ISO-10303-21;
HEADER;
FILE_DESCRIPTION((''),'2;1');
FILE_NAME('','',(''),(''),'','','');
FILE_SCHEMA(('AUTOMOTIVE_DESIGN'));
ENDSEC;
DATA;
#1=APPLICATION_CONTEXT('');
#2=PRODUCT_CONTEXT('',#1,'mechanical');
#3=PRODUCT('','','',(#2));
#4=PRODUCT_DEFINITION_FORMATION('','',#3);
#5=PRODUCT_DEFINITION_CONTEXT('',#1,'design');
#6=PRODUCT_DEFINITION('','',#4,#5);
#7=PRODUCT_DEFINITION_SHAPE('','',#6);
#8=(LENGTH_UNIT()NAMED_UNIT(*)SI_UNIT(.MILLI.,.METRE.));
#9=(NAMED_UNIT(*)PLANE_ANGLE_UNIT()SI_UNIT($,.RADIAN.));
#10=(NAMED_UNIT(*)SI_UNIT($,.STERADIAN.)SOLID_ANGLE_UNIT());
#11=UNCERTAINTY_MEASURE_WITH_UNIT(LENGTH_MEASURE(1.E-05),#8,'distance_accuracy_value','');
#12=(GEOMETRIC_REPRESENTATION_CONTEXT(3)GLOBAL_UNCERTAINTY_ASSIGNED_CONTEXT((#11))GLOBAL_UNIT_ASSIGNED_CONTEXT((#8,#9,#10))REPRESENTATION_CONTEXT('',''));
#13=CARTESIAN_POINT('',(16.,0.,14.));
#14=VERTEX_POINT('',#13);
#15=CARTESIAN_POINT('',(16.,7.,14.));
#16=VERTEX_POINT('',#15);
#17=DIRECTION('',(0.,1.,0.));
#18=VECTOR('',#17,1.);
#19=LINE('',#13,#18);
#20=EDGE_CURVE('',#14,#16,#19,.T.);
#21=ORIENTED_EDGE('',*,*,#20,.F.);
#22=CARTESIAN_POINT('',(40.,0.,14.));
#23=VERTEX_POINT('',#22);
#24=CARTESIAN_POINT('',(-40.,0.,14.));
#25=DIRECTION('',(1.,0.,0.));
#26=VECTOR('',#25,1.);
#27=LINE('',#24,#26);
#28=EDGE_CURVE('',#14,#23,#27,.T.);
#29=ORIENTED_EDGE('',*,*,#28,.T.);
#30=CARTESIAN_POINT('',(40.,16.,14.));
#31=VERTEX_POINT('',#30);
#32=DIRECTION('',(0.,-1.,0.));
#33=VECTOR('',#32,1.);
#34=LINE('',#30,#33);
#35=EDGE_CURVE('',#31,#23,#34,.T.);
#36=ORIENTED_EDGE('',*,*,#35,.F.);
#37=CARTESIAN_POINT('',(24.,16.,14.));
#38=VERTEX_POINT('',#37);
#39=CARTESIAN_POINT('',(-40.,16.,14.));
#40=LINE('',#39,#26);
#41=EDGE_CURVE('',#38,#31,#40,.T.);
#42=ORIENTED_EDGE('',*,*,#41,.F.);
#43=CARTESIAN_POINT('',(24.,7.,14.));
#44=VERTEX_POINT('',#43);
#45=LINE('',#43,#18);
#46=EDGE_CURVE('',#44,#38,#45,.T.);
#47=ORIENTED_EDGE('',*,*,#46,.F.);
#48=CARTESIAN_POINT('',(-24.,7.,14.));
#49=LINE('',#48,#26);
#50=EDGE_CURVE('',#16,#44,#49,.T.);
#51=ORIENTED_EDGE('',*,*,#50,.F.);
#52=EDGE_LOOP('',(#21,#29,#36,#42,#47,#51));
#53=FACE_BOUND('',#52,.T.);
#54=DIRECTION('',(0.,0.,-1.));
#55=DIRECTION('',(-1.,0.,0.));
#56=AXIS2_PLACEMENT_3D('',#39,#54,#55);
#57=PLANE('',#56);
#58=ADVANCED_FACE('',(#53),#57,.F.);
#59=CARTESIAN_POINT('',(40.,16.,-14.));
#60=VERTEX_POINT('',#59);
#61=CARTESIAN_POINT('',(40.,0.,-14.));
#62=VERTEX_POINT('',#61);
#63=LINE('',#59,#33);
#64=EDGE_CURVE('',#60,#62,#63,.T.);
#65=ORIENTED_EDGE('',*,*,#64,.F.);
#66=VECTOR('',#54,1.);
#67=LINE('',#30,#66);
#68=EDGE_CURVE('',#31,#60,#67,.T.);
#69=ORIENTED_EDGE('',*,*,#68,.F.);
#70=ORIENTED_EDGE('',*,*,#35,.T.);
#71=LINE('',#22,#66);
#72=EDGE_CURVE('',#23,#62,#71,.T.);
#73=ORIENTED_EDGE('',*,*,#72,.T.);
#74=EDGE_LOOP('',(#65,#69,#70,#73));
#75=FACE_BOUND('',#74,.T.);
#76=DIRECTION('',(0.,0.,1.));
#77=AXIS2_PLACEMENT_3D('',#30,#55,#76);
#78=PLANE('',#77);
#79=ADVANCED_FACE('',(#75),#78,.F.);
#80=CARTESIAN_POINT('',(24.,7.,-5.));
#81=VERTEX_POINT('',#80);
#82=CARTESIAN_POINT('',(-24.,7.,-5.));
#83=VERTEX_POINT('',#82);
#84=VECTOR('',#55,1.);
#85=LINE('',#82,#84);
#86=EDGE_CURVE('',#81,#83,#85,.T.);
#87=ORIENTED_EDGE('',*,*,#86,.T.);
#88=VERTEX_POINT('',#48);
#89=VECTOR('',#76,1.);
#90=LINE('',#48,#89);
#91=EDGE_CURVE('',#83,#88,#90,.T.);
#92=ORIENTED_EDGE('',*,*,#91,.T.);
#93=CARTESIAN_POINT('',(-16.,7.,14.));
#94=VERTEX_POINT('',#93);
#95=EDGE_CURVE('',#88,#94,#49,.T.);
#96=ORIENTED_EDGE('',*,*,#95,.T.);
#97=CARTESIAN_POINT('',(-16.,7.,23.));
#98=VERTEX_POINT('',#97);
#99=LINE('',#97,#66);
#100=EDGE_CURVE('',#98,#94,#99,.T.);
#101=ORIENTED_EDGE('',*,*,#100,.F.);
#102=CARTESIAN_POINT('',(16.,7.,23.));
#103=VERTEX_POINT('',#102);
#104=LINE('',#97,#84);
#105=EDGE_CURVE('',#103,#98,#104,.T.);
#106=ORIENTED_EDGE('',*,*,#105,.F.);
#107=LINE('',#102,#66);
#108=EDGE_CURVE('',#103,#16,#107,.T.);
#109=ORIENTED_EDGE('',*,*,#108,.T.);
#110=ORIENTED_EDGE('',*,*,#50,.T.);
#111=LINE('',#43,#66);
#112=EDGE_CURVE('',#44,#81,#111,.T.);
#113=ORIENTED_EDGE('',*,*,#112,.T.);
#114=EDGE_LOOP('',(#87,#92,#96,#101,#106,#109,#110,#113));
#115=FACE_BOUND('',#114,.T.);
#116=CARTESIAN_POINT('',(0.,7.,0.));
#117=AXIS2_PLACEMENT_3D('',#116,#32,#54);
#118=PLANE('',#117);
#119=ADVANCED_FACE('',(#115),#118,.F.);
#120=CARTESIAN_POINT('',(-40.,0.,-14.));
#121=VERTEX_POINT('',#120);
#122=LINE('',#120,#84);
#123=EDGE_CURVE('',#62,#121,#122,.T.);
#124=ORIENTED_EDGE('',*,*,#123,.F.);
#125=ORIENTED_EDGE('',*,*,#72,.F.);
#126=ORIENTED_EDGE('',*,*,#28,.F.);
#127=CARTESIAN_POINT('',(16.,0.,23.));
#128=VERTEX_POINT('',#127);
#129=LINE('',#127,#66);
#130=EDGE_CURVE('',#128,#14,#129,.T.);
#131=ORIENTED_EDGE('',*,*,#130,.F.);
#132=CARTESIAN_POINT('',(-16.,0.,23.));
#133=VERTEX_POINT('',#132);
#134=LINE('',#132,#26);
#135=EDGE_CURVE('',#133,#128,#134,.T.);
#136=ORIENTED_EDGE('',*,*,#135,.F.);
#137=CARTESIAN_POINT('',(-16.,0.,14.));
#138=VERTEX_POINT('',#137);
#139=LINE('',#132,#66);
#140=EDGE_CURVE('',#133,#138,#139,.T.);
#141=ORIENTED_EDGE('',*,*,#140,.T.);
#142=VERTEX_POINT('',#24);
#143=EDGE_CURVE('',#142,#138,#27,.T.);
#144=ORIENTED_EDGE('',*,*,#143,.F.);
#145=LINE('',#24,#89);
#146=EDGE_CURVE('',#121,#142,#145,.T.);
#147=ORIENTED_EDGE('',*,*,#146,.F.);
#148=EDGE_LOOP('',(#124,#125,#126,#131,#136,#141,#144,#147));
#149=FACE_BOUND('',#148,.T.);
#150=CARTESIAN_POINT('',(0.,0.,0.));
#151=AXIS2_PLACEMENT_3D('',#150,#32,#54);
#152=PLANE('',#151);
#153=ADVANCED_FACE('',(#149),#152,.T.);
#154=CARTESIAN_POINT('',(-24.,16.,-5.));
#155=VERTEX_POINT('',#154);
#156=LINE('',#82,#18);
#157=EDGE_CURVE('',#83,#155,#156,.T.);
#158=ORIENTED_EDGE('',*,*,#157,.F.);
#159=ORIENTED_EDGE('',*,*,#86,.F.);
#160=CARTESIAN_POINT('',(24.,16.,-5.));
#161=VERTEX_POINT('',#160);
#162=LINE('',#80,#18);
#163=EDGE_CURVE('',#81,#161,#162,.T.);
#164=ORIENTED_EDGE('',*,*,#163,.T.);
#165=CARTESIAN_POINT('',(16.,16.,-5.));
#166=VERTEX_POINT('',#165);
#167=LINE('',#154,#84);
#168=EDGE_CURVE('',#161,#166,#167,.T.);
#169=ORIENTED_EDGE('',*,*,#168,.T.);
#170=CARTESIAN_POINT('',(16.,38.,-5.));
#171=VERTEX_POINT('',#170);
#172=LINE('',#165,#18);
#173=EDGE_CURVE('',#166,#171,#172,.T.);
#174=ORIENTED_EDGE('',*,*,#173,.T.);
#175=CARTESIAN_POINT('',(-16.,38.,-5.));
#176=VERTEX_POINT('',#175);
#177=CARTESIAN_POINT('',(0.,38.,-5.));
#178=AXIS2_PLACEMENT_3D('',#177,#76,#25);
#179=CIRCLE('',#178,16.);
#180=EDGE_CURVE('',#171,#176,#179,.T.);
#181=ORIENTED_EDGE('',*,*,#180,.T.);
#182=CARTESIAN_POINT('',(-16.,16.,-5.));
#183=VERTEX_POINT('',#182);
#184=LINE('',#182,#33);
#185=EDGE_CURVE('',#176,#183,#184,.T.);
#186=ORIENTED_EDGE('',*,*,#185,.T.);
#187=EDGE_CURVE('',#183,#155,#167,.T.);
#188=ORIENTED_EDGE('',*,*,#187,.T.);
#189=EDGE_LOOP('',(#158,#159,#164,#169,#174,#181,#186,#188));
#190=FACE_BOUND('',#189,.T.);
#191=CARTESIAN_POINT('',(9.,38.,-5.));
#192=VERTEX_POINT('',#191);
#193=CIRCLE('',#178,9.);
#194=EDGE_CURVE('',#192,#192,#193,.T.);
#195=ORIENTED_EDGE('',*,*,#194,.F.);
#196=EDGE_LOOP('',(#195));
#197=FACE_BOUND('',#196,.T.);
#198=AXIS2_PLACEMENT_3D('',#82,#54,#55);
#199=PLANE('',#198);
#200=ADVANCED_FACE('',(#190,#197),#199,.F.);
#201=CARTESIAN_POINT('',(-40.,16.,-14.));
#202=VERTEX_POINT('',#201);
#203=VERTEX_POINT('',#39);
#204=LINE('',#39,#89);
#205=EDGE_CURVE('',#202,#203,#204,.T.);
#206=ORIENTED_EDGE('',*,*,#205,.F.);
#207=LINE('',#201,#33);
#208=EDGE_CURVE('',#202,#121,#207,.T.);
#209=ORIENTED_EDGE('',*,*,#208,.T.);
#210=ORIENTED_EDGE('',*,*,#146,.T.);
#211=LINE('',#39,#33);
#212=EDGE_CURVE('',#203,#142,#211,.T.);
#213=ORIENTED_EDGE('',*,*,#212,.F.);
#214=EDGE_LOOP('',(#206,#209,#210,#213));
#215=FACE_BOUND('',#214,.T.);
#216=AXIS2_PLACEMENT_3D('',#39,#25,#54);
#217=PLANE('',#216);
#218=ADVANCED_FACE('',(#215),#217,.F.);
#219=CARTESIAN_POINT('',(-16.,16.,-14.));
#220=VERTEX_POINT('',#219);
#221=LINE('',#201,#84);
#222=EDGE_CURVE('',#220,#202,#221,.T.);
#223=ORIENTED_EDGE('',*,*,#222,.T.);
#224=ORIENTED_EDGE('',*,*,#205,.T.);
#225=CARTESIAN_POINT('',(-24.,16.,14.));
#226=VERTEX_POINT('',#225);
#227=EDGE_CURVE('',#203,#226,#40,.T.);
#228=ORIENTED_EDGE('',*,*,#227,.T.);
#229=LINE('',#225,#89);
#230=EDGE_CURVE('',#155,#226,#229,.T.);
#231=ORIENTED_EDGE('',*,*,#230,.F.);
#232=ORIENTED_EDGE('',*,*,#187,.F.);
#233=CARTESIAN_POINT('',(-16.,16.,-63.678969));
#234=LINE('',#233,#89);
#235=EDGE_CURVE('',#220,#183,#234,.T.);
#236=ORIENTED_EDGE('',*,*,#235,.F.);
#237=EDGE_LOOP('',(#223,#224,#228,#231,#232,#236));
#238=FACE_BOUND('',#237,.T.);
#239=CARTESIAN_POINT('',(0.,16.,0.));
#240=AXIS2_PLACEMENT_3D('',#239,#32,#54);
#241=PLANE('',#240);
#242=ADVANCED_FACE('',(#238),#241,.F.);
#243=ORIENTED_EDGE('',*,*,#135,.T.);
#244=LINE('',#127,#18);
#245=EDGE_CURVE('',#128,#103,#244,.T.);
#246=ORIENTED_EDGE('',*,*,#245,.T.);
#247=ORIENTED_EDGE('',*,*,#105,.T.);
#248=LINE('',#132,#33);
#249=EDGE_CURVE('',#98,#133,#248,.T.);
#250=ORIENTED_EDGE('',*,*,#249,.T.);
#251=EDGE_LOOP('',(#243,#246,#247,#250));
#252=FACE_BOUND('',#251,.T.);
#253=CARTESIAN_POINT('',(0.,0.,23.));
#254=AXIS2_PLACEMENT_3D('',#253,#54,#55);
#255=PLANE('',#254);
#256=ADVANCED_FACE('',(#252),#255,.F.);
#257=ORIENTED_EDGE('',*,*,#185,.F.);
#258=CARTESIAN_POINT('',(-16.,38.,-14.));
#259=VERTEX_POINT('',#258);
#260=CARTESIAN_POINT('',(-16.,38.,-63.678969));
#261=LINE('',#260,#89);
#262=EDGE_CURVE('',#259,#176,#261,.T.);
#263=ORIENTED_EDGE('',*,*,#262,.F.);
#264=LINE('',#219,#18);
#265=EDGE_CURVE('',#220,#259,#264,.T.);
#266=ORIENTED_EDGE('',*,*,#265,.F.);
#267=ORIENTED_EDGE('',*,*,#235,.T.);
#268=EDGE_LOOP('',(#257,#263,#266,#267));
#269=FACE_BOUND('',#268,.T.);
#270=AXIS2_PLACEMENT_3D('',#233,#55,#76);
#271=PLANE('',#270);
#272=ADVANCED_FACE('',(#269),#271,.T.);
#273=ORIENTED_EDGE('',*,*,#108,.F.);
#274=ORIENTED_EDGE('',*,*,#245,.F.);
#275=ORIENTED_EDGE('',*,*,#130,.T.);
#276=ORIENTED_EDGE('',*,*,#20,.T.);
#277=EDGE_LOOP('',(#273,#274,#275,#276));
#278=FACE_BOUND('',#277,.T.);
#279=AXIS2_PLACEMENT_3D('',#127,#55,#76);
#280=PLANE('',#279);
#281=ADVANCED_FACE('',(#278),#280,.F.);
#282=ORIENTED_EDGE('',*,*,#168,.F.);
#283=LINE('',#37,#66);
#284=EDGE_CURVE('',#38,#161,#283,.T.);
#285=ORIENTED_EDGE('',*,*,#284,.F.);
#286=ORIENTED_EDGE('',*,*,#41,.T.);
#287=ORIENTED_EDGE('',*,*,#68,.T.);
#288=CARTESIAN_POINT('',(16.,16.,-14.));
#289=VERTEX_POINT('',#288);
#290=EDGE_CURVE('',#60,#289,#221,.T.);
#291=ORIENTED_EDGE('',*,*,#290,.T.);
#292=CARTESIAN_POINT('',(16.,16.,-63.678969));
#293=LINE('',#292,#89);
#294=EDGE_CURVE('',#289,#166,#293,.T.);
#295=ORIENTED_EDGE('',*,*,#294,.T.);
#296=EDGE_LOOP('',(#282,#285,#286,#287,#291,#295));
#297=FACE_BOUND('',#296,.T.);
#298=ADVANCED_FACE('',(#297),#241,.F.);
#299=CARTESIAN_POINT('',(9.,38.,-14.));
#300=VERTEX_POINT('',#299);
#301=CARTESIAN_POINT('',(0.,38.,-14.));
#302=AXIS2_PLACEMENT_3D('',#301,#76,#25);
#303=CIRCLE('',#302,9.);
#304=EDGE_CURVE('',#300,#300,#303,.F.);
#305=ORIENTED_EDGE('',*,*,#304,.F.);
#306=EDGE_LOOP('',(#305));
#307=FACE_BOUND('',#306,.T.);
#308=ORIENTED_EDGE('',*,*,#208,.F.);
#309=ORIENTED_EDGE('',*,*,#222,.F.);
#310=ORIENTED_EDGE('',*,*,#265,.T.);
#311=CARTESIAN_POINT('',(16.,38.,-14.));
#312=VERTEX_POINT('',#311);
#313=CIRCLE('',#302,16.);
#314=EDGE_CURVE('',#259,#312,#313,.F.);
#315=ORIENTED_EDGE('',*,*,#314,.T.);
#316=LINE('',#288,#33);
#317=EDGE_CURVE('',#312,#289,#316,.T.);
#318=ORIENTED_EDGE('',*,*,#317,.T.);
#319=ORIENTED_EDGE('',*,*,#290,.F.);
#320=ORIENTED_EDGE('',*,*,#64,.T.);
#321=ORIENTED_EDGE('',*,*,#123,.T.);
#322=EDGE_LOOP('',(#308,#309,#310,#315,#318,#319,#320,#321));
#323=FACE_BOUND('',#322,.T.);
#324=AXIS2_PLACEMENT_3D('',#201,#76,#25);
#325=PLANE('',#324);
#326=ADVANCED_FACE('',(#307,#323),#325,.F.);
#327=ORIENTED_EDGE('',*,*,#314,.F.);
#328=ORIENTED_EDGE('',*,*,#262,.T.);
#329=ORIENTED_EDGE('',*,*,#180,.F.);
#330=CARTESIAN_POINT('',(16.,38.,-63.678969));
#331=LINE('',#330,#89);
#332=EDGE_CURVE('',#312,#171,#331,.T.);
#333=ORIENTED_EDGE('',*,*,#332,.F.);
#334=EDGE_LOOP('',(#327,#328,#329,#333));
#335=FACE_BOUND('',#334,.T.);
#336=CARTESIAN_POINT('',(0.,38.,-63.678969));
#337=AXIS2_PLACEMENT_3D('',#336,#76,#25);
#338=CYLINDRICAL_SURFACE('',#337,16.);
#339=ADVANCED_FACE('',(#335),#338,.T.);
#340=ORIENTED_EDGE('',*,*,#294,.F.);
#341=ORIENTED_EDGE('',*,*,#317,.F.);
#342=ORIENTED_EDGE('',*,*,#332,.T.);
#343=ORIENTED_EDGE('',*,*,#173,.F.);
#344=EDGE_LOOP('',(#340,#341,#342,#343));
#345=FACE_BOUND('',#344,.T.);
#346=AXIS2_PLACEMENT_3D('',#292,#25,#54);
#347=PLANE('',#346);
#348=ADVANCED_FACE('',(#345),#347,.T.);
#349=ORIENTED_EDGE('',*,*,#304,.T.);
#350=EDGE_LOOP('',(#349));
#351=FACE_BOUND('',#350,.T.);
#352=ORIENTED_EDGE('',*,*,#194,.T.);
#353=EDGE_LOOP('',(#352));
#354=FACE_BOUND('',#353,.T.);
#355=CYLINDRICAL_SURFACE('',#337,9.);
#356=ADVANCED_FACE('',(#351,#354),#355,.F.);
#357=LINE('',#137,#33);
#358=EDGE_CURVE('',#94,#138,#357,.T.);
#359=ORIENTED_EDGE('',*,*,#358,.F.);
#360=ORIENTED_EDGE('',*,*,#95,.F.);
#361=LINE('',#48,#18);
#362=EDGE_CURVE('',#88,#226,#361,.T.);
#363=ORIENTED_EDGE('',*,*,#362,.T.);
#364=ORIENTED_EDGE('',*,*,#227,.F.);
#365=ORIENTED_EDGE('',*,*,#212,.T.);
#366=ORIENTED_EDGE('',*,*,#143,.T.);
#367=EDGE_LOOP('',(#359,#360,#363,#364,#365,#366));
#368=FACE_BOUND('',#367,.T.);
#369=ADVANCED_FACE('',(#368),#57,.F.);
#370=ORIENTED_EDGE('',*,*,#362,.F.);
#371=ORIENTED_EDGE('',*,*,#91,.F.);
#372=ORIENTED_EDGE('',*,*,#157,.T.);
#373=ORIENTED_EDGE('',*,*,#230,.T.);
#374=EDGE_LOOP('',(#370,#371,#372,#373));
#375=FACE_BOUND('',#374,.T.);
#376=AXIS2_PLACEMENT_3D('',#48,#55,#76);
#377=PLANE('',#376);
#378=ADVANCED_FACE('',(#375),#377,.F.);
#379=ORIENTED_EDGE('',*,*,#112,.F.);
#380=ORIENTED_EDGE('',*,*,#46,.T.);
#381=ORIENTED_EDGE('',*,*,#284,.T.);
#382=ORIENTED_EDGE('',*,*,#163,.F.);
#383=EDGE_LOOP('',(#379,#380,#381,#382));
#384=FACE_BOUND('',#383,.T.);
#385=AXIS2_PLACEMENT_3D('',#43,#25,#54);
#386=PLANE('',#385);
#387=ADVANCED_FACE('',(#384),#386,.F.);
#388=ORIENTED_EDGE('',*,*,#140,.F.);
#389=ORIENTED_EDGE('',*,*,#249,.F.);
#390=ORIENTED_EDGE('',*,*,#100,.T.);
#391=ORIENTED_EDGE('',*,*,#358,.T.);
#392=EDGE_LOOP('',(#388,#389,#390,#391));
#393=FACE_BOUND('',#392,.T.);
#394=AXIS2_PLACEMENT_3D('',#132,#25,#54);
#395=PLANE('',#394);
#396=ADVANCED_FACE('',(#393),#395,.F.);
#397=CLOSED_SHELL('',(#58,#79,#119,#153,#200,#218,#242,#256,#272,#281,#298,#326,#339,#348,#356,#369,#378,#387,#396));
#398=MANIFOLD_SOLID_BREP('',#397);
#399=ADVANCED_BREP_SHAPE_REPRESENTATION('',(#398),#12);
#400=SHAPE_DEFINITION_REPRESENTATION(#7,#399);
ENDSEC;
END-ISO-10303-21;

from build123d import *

# Parameters (mm, degrees)
SKETCH_1_W          = 80
SKETCH_1_H          = 28
EXTRUDE_1_DEPTH     = 16
SKETCH_2_W          = 48
SKETCH_2_H          = 19
CUT_EXTRUDE_1_DEPTH = 9
SKETCH_3_W          = 32
SKETCH_3_H          = 7
EXTRUDE_2_DEPTH     = 9
SKETCH_4_R          = 9
EXTRUDE_3_DEPTH     = 9


with BuildPart() as part:
    # 草图1 → 凸台-拉伸1 (new body)
    with BuildSketch(Plane(origin=(0, 0, 0), x_dir=(1, 0, 0), z_dir=(0, 1, 0))):
        Rectangle(SKETCH_1_W, SKETCH_1_H)
    extrude(amount=EXTRUDE_1_DEPTH)

    # 草图2 → 切除-拉伸1 (cut)
    with BuildSketch(Plane(origin=(0, 16, 0), x_dir=(1, 0, 0), z_dir=(0, 1, 0))):
        with Locations((0, -4.5)):
            Rectangle(SKETCH_2_W, SKETCH_2_H)
    extrude(amount=-CUT_EXTRUDE_1_DEPTH, mode=Mode.SUBTRACT)

    # 草图3 → 凸台-拉伸2 (add)
    with BuildSketch(Plane.XY.offset(14)):
        with Locations((0, 3.5)):
            Rectangle(SKETCH_3_W, SKETCH_3_H)
    extrude(amount=EXTRUDE_2_DEPTH)

    # 草图4 → 凸台-拉伸3 (add)
    with BuildSketch(Plane.XY.offset(-5)):
        with BuildLine():
            Line((-16, 16), (16, 16))
            Line((16, 16), (16, 38))
            ThreePointArc((16, 38), (0, 54), (-16, 38))
            Line((-16, 38), (-16, 16))
        make_face()
        with Locations((0, 38)):
            Circle(SKETCH_4_R, mode=Mode.SUBTRACT)
    extrude(amount=-EXTRUDE_3_DEPTH)


solid = part.part
